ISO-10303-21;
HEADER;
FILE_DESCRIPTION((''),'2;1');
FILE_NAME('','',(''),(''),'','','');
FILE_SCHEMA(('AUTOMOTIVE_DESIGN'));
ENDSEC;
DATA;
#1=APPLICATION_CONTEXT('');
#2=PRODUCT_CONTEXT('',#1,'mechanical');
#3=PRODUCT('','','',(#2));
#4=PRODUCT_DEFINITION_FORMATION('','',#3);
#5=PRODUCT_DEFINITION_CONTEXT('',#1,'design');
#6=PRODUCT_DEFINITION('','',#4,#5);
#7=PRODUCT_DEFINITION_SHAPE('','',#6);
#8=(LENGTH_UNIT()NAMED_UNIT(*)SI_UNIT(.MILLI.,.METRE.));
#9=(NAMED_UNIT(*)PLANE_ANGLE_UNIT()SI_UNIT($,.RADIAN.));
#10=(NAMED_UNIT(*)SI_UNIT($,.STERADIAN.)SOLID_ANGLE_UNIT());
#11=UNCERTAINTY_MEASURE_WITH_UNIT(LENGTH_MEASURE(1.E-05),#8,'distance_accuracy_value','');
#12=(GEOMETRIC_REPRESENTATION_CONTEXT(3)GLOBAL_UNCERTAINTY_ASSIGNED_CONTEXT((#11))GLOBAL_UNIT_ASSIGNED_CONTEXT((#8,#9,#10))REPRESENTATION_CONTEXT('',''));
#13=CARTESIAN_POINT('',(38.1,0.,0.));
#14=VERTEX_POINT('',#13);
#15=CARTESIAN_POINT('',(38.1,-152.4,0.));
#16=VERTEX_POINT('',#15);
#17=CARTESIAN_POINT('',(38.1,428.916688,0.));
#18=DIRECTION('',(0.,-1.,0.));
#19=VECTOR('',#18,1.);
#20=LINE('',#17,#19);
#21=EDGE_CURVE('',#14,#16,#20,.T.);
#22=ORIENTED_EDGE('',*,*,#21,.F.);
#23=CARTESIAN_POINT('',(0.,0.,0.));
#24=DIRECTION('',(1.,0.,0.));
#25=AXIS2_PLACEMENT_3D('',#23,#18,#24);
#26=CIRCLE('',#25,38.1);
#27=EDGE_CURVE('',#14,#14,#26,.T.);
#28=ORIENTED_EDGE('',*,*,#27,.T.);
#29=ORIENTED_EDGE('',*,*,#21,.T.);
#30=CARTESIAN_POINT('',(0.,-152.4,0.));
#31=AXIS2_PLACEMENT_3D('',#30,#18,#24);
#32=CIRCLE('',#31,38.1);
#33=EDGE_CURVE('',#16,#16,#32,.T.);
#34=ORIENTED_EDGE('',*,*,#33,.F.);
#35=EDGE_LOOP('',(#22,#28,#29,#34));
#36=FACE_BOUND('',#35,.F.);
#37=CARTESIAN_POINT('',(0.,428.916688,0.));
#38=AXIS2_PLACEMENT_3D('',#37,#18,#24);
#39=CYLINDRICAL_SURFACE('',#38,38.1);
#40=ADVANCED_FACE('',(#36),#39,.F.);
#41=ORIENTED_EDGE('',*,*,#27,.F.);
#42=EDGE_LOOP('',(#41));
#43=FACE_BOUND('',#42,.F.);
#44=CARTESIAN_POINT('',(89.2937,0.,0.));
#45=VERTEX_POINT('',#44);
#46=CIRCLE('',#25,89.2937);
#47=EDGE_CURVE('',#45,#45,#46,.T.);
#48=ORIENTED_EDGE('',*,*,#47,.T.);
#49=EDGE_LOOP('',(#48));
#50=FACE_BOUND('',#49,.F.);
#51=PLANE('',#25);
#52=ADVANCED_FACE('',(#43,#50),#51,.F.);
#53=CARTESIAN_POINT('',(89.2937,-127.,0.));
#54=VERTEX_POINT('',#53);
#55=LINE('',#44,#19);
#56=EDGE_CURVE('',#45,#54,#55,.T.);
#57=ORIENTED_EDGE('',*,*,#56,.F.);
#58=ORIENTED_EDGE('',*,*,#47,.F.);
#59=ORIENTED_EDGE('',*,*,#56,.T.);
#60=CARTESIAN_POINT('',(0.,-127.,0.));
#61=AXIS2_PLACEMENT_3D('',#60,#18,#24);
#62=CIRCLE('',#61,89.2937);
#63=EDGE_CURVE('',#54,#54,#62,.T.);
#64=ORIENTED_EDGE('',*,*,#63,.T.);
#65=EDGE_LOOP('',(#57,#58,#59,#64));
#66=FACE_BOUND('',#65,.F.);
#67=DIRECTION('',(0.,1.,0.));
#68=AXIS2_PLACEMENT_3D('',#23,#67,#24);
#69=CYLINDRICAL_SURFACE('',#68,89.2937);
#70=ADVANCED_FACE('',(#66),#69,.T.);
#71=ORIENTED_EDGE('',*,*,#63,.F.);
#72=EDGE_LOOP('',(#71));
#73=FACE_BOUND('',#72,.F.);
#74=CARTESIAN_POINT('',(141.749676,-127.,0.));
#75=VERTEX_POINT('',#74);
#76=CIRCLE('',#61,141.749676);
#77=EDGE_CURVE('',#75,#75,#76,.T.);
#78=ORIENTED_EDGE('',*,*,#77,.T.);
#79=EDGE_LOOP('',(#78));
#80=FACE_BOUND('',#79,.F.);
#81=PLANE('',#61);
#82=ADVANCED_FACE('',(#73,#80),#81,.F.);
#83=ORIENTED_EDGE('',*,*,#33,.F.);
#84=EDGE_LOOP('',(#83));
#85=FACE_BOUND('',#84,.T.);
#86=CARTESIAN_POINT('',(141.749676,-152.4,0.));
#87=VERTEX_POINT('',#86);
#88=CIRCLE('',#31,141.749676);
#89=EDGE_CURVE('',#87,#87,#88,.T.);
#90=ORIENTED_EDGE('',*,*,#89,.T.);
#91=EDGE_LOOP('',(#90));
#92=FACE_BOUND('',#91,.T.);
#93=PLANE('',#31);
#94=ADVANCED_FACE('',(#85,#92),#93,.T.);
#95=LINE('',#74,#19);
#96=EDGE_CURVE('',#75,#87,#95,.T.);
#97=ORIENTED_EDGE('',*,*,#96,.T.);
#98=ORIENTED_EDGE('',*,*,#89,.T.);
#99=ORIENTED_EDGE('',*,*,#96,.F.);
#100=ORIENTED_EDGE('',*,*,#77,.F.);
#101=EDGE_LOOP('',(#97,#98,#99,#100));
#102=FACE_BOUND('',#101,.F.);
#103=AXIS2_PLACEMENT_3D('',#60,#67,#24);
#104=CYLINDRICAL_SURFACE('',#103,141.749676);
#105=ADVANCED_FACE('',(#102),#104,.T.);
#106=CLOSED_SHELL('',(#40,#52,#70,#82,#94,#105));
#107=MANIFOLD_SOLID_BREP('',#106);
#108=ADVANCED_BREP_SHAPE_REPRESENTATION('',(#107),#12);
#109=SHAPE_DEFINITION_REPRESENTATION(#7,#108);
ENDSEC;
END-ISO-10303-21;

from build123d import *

# Parameters (mm, degrees)
F0_R     = 89.2937
F1_DEPTH = 127
F2_R     = 141.749676
F3_DEPTH = 25.4
F5_D     = 76.2


with BuildPart() as f1:
    # F0 (on Front) → F1 (new body)
    with BuildSketch(Plane.XZ):
        Circle(F0_R)
    extrude(amount=F1_DEPTH)

    # F2 (on face) → F3 (join)
    with BuildSketch(Plane.XZ.offset(127)):
        Circle(F2_R)
    extrude(amount=F3_DEPTH)

    # F5 (through all)
    with Locations(Plane(origin=(0, 0, 0), x_dir=(-1, 0, 0), z_dir=(0, 1, 0))):
        with Locations((0, 0)):
            Hole(F5_D / 2)


solid = f1.part
